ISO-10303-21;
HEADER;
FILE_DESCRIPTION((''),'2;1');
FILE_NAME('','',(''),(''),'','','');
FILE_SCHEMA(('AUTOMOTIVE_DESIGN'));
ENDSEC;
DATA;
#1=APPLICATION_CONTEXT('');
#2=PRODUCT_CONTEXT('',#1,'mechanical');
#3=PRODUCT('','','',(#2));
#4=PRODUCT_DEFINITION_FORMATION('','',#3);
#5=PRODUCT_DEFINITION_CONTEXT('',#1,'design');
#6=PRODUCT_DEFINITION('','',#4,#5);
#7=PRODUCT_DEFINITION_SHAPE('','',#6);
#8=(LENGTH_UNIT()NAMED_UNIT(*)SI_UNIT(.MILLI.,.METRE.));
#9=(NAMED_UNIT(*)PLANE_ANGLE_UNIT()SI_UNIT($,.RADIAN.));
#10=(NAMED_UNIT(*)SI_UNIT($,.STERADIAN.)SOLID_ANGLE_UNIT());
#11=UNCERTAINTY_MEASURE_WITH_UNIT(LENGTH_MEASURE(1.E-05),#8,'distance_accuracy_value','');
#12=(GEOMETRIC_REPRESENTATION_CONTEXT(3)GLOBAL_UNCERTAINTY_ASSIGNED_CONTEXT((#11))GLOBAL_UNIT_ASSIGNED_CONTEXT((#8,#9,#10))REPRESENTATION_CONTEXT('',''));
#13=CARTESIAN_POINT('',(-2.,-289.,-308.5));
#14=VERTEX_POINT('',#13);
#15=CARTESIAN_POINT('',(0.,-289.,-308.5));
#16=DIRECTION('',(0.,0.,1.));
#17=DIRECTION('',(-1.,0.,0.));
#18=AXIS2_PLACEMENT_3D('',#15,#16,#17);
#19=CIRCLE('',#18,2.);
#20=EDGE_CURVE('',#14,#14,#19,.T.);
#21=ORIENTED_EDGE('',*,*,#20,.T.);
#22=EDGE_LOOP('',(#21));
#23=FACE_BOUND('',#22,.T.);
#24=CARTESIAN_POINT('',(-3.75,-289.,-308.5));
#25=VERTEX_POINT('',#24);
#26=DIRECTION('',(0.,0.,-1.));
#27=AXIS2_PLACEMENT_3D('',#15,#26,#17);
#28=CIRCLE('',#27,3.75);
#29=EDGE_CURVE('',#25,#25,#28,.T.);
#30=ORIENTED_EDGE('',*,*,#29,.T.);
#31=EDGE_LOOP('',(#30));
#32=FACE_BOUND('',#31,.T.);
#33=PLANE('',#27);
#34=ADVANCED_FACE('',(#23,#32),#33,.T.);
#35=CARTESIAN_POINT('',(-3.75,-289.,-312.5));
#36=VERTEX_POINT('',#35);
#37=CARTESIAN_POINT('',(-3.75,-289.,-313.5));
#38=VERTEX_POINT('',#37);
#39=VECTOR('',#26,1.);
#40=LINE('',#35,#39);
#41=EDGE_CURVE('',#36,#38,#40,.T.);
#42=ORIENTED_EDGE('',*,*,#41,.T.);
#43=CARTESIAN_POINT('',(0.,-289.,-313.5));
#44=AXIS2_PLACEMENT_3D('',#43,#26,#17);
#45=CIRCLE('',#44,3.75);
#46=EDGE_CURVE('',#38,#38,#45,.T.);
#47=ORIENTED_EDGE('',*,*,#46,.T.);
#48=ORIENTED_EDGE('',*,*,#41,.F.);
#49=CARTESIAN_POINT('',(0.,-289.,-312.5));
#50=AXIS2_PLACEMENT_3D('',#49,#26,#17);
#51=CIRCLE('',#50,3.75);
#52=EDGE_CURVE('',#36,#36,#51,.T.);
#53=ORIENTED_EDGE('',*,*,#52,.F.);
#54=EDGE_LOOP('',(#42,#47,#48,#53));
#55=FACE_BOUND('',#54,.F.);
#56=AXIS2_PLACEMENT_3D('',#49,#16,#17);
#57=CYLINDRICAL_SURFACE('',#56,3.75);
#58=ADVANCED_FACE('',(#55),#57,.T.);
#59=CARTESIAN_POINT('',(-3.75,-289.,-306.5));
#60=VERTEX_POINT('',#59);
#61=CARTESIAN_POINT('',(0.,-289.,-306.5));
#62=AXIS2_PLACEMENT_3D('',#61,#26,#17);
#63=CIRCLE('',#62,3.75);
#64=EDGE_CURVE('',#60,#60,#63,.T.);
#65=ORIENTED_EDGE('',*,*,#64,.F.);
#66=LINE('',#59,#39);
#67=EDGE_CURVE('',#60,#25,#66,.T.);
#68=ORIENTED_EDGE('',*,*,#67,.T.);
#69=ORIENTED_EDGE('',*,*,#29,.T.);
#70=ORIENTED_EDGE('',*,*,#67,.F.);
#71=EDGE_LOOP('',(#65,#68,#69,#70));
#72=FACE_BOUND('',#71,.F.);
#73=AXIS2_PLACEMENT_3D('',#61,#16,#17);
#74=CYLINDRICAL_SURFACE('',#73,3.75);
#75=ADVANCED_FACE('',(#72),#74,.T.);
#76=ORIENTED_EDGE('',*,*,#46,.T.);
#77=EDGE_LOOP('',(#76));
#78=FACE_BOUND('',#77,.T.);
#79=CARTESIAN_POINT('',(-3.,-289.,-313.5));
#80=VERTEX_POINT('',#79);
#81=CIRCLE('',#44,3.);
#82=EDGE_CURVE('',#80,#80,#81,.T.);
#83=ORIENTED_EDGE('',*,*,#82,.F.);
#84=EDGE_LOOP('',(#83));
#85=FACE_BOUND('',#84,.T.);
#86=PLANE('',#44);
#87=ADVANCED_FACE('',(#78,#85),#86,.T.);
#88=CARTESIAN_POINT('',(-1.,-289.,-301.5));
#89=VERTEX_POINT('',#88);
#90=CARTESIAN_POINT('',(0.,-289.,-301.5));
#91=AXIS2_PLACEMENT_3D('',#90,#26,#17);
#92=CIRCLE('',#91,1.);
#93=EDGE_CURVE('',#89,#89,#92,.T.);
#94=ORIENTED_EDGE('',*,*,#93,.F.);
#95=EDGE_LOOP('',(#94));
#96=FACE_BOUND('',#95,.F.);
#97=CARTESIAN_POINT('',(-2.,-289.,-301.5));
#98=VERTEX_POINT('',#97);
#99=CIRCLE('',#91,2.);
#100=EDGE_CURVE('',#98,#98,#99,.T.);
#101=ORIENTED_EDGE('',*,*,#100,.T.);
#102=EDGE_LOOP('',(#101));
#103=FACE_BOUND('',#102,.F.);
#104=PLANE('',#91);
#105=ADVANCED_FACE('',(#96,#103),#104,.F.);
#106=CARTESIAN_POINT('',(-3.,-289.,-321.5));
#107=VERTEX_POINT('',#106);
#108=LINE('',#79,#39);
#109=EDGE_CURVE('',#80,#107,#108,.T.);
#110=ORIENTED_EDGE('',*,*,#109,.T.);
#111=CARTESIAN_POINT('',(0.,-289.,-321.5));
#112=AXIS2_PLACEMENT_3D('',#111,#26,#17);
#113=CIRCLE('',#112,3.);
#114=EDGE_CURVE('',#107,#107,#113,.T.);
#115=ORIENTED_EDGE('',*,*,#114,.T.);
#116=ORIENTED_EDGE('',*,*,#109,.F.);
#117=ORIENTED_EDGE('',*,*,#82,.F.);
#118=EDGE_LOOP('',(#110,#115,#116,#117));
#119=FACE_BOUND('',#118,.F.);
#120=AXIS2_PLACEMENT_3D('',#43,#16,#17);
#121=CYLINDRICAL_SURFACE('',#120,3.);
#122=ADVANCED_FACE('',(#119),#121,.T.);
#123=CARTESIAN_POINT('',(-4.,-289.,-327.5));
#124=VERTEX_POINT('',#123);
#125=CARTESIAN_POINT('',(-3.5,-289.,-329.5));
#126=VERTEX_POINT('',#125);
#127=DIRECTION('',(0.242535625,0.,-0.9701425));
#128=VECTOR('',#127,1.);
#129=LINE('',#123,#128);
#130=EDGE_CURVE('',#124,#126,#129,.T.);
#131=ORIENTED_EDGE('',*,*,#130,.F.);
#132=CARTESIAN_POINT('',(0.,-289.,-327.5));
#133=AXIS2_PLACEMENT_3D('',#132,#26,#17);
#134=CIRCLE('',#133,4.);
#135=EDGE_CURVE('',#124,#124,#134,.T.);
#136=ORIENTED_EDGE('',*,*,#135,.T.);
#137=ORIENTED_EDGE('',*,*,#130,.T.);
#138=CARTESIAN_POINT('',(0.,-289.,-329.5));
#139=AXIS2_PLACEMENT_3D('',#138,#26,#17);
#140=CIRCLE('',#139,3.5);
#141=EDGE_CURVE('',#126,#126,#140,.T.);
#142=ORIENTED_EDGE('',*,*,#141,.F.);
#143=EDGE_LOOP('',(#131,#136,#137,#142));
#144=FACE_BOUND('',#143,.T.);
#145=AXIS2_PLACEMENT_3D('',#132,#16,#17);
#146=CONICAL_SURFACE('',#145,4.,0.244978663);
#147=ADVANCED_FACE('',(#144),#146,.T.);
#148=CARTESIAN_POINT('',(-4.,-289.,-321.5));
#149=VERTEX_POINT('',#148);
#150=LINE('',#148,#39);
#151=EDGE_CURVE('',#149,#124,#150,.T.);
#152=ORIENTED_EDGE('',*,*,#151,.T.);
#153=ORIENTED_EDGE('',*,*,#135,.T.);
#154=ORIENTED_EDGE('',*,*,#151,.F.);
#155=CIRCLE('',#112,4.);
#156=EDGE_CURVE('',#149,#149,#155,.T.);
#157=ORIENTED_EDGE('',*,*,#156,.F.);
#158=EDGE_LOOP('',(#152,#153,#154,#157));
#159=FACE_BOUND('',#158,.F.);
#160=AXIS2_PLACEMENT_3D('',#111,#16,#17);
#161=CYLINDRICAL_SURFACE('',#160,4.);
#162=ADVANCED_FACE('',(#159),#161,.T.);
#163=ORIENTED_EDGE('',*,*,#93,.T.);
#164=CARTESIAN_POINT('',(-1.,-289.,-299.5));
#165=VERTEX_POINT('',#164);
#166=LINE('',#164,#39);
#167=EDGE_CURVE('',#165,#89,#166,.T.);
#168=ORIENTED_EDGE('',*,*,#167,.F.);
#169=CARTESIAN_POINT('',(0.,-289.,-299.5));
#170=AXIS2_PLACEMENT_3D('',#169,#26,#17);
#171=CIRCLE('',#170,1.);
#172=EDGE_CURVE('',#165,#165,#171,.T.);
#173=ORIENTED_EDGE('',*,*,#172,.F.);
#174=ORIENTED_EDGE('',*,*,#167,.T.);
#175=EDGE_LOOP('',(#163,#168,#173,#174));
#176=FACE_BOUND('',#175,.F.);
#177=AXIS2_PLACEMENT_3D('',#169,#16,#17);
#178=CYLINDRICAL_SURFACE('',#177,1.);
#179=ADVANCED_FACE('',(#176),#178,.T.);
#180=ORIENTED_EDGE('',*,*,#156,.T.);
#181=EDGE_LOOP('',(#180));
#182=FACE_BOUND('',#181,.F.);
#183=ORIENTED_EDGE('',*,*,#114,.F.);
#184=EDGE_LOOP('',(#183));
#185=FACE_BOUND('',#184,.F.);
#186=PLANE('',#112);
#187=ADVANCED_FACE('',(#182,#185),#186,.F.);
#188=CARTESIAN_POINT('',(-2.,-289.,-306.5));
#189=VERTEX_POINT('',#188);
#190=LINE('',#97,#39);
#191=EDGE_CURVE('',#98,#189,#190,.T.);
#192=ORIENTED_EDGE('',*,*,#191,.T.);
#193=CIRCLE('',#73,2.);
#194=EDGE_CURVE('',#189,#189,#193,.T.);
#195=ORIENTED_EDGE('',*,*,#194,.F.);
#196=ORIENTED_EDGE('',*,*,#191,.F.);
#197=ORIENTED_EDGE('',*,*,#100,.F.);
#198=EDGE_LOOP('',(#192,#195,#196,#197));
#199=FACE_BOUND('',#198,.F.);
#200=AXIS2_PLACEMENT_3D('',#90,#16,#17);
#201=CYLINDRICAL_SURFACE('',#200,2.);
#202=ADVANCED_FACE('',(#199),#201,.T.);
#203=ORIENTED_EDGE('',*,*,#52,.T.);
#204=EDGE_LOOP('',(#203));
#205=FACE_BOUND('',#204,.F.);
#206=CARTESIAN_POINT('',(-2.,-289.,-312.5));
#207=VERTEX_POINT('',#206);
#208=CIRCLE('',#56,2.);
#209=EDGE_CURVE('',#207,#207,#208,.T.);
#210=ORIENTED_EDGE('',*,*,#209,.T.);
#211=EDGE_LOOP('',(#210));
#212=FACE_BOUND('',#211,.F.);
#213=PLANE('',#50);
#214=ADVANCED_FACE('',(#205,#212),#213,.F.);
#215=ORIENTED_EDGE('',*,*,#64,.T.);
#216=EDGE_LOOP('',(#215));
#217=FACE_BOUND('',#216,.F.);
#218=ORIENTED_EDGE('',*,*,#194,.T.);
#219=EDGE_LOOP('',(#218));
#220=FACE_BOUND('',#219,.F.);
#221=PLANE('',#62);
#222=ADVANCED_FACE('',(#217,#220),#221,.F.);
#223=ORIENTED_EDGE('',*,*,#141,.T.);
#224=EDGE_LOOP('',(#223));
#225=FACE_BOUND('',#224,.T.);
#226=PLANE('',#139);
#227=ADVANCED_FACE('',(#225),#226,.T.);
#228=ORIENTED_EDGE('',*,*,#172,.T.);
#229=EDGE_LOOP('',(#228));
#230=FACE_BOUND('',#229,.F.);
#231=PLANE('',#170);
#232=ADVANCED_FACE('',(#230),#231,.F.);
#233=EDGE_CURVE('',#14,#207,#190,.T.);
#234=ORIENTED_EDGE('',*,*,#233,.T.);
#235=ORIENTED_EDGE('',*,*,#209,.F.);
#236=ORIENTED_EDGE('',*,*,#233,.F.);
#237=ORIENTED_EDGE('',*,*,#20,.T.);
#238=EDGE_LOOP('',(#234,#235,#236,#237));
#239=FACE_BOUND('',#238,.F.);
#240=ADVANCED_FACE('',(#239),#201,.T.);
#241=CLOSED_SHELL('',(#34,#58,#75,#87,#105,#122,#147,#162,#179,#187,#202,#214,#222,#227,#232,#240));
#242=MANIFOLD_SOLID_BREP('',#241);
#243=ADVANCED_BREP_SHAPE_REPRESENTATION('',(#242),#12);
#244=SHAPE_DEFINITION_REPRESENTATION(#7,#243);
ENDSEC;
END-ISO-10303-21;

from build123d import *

# Parameters (mm, degrees)
CYLINDER082_R             = 2
CYLINDER082_DEPTH         = 28
CYLINDER083_R             = 3.75
CYLINDER083_DEPTH         = 2
CYLINDER084_R             = 3.75
CYLINDER084_DEPTH         = 1
CYLINDER085_R             = 3
CYLINDER085_DEPTH         = 8
CYLINDER086_R             = 4
CYLINDER086_DEPTH         = 6
CYLINDER087_R             = 1
CYLINDER087_DEPTH         = 2
FUSION026_PLACEMENT_ANGLE = 180


with BuildPart() as cylinder082:
    # Cylinder082 → Cylinder082 (new body)
    with BuildSketch(Plane.XY):
        Circle(CYLINDER082_R)
    extrude(amount=CYLINDER082_DEPTH)


with BuildPart() as cylinder083:
    # Cylinder083 → Cylinder083 (new body)
    with BuildSketch(Plane.XY.offset(5)):
        Circle(CYLINDER083_R)
    extrude(amount=CYLINDER083_DEPTH)


with BuildPart() as cylinder084:
    # Cylinder084 → Cylinder084 (new body)
    with BuildSketch(Plane.XY.offset(11)):
        Circle(CYLINDER084_R)
    extrude(amount=CYLINDER084_DEPTH)


with BuildPart() as cylinder085:
    # Cylinder085 → Cylinder085 (new body)
    with BuildSketch(Plane.XY.offset(12)):
        Circle(CYLINDER085_R)
    extrude(amount=CYLINDER085_DEPTH)


with BuildPart() as cylinder086:
    # Cylinder086 → Cylinder086 (new body)
    with BuildSketch(Plane.XY.offset(20)):
        Circle(CYLINDER086_R)
    extrude(amount=CYLINDER086_DEPTH)


with BuildPart() as fusion025:
    # Cone001 → Cone001 (revolve)
    with BuildSketch(Plane(origin=(0, 0, 26), x_dir=(1, 0, 0), z_dir=(0, -1, 0))):
        Polygon((0, 0), (4, 0), (3.5, 2), (0, 2), align=None)
    revolve(axis=Axis((0, 0, 26), (0, 0, 1)))

    # Fusion025: union Cylinder082, Cylinder083, Cylinder084, Cylinder085, Cylinder086
    add(cylinder082.part)
    add(cylinder083.part)
    add(cylinder084.part)
    add(cylinder085.part)
    add(cylinder086.part)


with BuildPart() as miccut:
    # Cylinder087 → Cylinder087 (new body)
    with BuildSketch(Plane.XY.offset(-2)):
        Circle(CYLINDER087_R)
    extrude(amount=CYLINDER087_DEPTH)

    # Fusion026: union Fusion025
    add(fusion025.part)


with BuildPart() as miccut_1:
    # Fusion026 placement: moved
    add(miccut.part.moved(Location((0, -289, -301.5))).rotate(Axis((0, -289, -301.5), (0, -1, 0)), FUSION026_PLACEMENT_ANGLE))


solid = miccut_1.part
